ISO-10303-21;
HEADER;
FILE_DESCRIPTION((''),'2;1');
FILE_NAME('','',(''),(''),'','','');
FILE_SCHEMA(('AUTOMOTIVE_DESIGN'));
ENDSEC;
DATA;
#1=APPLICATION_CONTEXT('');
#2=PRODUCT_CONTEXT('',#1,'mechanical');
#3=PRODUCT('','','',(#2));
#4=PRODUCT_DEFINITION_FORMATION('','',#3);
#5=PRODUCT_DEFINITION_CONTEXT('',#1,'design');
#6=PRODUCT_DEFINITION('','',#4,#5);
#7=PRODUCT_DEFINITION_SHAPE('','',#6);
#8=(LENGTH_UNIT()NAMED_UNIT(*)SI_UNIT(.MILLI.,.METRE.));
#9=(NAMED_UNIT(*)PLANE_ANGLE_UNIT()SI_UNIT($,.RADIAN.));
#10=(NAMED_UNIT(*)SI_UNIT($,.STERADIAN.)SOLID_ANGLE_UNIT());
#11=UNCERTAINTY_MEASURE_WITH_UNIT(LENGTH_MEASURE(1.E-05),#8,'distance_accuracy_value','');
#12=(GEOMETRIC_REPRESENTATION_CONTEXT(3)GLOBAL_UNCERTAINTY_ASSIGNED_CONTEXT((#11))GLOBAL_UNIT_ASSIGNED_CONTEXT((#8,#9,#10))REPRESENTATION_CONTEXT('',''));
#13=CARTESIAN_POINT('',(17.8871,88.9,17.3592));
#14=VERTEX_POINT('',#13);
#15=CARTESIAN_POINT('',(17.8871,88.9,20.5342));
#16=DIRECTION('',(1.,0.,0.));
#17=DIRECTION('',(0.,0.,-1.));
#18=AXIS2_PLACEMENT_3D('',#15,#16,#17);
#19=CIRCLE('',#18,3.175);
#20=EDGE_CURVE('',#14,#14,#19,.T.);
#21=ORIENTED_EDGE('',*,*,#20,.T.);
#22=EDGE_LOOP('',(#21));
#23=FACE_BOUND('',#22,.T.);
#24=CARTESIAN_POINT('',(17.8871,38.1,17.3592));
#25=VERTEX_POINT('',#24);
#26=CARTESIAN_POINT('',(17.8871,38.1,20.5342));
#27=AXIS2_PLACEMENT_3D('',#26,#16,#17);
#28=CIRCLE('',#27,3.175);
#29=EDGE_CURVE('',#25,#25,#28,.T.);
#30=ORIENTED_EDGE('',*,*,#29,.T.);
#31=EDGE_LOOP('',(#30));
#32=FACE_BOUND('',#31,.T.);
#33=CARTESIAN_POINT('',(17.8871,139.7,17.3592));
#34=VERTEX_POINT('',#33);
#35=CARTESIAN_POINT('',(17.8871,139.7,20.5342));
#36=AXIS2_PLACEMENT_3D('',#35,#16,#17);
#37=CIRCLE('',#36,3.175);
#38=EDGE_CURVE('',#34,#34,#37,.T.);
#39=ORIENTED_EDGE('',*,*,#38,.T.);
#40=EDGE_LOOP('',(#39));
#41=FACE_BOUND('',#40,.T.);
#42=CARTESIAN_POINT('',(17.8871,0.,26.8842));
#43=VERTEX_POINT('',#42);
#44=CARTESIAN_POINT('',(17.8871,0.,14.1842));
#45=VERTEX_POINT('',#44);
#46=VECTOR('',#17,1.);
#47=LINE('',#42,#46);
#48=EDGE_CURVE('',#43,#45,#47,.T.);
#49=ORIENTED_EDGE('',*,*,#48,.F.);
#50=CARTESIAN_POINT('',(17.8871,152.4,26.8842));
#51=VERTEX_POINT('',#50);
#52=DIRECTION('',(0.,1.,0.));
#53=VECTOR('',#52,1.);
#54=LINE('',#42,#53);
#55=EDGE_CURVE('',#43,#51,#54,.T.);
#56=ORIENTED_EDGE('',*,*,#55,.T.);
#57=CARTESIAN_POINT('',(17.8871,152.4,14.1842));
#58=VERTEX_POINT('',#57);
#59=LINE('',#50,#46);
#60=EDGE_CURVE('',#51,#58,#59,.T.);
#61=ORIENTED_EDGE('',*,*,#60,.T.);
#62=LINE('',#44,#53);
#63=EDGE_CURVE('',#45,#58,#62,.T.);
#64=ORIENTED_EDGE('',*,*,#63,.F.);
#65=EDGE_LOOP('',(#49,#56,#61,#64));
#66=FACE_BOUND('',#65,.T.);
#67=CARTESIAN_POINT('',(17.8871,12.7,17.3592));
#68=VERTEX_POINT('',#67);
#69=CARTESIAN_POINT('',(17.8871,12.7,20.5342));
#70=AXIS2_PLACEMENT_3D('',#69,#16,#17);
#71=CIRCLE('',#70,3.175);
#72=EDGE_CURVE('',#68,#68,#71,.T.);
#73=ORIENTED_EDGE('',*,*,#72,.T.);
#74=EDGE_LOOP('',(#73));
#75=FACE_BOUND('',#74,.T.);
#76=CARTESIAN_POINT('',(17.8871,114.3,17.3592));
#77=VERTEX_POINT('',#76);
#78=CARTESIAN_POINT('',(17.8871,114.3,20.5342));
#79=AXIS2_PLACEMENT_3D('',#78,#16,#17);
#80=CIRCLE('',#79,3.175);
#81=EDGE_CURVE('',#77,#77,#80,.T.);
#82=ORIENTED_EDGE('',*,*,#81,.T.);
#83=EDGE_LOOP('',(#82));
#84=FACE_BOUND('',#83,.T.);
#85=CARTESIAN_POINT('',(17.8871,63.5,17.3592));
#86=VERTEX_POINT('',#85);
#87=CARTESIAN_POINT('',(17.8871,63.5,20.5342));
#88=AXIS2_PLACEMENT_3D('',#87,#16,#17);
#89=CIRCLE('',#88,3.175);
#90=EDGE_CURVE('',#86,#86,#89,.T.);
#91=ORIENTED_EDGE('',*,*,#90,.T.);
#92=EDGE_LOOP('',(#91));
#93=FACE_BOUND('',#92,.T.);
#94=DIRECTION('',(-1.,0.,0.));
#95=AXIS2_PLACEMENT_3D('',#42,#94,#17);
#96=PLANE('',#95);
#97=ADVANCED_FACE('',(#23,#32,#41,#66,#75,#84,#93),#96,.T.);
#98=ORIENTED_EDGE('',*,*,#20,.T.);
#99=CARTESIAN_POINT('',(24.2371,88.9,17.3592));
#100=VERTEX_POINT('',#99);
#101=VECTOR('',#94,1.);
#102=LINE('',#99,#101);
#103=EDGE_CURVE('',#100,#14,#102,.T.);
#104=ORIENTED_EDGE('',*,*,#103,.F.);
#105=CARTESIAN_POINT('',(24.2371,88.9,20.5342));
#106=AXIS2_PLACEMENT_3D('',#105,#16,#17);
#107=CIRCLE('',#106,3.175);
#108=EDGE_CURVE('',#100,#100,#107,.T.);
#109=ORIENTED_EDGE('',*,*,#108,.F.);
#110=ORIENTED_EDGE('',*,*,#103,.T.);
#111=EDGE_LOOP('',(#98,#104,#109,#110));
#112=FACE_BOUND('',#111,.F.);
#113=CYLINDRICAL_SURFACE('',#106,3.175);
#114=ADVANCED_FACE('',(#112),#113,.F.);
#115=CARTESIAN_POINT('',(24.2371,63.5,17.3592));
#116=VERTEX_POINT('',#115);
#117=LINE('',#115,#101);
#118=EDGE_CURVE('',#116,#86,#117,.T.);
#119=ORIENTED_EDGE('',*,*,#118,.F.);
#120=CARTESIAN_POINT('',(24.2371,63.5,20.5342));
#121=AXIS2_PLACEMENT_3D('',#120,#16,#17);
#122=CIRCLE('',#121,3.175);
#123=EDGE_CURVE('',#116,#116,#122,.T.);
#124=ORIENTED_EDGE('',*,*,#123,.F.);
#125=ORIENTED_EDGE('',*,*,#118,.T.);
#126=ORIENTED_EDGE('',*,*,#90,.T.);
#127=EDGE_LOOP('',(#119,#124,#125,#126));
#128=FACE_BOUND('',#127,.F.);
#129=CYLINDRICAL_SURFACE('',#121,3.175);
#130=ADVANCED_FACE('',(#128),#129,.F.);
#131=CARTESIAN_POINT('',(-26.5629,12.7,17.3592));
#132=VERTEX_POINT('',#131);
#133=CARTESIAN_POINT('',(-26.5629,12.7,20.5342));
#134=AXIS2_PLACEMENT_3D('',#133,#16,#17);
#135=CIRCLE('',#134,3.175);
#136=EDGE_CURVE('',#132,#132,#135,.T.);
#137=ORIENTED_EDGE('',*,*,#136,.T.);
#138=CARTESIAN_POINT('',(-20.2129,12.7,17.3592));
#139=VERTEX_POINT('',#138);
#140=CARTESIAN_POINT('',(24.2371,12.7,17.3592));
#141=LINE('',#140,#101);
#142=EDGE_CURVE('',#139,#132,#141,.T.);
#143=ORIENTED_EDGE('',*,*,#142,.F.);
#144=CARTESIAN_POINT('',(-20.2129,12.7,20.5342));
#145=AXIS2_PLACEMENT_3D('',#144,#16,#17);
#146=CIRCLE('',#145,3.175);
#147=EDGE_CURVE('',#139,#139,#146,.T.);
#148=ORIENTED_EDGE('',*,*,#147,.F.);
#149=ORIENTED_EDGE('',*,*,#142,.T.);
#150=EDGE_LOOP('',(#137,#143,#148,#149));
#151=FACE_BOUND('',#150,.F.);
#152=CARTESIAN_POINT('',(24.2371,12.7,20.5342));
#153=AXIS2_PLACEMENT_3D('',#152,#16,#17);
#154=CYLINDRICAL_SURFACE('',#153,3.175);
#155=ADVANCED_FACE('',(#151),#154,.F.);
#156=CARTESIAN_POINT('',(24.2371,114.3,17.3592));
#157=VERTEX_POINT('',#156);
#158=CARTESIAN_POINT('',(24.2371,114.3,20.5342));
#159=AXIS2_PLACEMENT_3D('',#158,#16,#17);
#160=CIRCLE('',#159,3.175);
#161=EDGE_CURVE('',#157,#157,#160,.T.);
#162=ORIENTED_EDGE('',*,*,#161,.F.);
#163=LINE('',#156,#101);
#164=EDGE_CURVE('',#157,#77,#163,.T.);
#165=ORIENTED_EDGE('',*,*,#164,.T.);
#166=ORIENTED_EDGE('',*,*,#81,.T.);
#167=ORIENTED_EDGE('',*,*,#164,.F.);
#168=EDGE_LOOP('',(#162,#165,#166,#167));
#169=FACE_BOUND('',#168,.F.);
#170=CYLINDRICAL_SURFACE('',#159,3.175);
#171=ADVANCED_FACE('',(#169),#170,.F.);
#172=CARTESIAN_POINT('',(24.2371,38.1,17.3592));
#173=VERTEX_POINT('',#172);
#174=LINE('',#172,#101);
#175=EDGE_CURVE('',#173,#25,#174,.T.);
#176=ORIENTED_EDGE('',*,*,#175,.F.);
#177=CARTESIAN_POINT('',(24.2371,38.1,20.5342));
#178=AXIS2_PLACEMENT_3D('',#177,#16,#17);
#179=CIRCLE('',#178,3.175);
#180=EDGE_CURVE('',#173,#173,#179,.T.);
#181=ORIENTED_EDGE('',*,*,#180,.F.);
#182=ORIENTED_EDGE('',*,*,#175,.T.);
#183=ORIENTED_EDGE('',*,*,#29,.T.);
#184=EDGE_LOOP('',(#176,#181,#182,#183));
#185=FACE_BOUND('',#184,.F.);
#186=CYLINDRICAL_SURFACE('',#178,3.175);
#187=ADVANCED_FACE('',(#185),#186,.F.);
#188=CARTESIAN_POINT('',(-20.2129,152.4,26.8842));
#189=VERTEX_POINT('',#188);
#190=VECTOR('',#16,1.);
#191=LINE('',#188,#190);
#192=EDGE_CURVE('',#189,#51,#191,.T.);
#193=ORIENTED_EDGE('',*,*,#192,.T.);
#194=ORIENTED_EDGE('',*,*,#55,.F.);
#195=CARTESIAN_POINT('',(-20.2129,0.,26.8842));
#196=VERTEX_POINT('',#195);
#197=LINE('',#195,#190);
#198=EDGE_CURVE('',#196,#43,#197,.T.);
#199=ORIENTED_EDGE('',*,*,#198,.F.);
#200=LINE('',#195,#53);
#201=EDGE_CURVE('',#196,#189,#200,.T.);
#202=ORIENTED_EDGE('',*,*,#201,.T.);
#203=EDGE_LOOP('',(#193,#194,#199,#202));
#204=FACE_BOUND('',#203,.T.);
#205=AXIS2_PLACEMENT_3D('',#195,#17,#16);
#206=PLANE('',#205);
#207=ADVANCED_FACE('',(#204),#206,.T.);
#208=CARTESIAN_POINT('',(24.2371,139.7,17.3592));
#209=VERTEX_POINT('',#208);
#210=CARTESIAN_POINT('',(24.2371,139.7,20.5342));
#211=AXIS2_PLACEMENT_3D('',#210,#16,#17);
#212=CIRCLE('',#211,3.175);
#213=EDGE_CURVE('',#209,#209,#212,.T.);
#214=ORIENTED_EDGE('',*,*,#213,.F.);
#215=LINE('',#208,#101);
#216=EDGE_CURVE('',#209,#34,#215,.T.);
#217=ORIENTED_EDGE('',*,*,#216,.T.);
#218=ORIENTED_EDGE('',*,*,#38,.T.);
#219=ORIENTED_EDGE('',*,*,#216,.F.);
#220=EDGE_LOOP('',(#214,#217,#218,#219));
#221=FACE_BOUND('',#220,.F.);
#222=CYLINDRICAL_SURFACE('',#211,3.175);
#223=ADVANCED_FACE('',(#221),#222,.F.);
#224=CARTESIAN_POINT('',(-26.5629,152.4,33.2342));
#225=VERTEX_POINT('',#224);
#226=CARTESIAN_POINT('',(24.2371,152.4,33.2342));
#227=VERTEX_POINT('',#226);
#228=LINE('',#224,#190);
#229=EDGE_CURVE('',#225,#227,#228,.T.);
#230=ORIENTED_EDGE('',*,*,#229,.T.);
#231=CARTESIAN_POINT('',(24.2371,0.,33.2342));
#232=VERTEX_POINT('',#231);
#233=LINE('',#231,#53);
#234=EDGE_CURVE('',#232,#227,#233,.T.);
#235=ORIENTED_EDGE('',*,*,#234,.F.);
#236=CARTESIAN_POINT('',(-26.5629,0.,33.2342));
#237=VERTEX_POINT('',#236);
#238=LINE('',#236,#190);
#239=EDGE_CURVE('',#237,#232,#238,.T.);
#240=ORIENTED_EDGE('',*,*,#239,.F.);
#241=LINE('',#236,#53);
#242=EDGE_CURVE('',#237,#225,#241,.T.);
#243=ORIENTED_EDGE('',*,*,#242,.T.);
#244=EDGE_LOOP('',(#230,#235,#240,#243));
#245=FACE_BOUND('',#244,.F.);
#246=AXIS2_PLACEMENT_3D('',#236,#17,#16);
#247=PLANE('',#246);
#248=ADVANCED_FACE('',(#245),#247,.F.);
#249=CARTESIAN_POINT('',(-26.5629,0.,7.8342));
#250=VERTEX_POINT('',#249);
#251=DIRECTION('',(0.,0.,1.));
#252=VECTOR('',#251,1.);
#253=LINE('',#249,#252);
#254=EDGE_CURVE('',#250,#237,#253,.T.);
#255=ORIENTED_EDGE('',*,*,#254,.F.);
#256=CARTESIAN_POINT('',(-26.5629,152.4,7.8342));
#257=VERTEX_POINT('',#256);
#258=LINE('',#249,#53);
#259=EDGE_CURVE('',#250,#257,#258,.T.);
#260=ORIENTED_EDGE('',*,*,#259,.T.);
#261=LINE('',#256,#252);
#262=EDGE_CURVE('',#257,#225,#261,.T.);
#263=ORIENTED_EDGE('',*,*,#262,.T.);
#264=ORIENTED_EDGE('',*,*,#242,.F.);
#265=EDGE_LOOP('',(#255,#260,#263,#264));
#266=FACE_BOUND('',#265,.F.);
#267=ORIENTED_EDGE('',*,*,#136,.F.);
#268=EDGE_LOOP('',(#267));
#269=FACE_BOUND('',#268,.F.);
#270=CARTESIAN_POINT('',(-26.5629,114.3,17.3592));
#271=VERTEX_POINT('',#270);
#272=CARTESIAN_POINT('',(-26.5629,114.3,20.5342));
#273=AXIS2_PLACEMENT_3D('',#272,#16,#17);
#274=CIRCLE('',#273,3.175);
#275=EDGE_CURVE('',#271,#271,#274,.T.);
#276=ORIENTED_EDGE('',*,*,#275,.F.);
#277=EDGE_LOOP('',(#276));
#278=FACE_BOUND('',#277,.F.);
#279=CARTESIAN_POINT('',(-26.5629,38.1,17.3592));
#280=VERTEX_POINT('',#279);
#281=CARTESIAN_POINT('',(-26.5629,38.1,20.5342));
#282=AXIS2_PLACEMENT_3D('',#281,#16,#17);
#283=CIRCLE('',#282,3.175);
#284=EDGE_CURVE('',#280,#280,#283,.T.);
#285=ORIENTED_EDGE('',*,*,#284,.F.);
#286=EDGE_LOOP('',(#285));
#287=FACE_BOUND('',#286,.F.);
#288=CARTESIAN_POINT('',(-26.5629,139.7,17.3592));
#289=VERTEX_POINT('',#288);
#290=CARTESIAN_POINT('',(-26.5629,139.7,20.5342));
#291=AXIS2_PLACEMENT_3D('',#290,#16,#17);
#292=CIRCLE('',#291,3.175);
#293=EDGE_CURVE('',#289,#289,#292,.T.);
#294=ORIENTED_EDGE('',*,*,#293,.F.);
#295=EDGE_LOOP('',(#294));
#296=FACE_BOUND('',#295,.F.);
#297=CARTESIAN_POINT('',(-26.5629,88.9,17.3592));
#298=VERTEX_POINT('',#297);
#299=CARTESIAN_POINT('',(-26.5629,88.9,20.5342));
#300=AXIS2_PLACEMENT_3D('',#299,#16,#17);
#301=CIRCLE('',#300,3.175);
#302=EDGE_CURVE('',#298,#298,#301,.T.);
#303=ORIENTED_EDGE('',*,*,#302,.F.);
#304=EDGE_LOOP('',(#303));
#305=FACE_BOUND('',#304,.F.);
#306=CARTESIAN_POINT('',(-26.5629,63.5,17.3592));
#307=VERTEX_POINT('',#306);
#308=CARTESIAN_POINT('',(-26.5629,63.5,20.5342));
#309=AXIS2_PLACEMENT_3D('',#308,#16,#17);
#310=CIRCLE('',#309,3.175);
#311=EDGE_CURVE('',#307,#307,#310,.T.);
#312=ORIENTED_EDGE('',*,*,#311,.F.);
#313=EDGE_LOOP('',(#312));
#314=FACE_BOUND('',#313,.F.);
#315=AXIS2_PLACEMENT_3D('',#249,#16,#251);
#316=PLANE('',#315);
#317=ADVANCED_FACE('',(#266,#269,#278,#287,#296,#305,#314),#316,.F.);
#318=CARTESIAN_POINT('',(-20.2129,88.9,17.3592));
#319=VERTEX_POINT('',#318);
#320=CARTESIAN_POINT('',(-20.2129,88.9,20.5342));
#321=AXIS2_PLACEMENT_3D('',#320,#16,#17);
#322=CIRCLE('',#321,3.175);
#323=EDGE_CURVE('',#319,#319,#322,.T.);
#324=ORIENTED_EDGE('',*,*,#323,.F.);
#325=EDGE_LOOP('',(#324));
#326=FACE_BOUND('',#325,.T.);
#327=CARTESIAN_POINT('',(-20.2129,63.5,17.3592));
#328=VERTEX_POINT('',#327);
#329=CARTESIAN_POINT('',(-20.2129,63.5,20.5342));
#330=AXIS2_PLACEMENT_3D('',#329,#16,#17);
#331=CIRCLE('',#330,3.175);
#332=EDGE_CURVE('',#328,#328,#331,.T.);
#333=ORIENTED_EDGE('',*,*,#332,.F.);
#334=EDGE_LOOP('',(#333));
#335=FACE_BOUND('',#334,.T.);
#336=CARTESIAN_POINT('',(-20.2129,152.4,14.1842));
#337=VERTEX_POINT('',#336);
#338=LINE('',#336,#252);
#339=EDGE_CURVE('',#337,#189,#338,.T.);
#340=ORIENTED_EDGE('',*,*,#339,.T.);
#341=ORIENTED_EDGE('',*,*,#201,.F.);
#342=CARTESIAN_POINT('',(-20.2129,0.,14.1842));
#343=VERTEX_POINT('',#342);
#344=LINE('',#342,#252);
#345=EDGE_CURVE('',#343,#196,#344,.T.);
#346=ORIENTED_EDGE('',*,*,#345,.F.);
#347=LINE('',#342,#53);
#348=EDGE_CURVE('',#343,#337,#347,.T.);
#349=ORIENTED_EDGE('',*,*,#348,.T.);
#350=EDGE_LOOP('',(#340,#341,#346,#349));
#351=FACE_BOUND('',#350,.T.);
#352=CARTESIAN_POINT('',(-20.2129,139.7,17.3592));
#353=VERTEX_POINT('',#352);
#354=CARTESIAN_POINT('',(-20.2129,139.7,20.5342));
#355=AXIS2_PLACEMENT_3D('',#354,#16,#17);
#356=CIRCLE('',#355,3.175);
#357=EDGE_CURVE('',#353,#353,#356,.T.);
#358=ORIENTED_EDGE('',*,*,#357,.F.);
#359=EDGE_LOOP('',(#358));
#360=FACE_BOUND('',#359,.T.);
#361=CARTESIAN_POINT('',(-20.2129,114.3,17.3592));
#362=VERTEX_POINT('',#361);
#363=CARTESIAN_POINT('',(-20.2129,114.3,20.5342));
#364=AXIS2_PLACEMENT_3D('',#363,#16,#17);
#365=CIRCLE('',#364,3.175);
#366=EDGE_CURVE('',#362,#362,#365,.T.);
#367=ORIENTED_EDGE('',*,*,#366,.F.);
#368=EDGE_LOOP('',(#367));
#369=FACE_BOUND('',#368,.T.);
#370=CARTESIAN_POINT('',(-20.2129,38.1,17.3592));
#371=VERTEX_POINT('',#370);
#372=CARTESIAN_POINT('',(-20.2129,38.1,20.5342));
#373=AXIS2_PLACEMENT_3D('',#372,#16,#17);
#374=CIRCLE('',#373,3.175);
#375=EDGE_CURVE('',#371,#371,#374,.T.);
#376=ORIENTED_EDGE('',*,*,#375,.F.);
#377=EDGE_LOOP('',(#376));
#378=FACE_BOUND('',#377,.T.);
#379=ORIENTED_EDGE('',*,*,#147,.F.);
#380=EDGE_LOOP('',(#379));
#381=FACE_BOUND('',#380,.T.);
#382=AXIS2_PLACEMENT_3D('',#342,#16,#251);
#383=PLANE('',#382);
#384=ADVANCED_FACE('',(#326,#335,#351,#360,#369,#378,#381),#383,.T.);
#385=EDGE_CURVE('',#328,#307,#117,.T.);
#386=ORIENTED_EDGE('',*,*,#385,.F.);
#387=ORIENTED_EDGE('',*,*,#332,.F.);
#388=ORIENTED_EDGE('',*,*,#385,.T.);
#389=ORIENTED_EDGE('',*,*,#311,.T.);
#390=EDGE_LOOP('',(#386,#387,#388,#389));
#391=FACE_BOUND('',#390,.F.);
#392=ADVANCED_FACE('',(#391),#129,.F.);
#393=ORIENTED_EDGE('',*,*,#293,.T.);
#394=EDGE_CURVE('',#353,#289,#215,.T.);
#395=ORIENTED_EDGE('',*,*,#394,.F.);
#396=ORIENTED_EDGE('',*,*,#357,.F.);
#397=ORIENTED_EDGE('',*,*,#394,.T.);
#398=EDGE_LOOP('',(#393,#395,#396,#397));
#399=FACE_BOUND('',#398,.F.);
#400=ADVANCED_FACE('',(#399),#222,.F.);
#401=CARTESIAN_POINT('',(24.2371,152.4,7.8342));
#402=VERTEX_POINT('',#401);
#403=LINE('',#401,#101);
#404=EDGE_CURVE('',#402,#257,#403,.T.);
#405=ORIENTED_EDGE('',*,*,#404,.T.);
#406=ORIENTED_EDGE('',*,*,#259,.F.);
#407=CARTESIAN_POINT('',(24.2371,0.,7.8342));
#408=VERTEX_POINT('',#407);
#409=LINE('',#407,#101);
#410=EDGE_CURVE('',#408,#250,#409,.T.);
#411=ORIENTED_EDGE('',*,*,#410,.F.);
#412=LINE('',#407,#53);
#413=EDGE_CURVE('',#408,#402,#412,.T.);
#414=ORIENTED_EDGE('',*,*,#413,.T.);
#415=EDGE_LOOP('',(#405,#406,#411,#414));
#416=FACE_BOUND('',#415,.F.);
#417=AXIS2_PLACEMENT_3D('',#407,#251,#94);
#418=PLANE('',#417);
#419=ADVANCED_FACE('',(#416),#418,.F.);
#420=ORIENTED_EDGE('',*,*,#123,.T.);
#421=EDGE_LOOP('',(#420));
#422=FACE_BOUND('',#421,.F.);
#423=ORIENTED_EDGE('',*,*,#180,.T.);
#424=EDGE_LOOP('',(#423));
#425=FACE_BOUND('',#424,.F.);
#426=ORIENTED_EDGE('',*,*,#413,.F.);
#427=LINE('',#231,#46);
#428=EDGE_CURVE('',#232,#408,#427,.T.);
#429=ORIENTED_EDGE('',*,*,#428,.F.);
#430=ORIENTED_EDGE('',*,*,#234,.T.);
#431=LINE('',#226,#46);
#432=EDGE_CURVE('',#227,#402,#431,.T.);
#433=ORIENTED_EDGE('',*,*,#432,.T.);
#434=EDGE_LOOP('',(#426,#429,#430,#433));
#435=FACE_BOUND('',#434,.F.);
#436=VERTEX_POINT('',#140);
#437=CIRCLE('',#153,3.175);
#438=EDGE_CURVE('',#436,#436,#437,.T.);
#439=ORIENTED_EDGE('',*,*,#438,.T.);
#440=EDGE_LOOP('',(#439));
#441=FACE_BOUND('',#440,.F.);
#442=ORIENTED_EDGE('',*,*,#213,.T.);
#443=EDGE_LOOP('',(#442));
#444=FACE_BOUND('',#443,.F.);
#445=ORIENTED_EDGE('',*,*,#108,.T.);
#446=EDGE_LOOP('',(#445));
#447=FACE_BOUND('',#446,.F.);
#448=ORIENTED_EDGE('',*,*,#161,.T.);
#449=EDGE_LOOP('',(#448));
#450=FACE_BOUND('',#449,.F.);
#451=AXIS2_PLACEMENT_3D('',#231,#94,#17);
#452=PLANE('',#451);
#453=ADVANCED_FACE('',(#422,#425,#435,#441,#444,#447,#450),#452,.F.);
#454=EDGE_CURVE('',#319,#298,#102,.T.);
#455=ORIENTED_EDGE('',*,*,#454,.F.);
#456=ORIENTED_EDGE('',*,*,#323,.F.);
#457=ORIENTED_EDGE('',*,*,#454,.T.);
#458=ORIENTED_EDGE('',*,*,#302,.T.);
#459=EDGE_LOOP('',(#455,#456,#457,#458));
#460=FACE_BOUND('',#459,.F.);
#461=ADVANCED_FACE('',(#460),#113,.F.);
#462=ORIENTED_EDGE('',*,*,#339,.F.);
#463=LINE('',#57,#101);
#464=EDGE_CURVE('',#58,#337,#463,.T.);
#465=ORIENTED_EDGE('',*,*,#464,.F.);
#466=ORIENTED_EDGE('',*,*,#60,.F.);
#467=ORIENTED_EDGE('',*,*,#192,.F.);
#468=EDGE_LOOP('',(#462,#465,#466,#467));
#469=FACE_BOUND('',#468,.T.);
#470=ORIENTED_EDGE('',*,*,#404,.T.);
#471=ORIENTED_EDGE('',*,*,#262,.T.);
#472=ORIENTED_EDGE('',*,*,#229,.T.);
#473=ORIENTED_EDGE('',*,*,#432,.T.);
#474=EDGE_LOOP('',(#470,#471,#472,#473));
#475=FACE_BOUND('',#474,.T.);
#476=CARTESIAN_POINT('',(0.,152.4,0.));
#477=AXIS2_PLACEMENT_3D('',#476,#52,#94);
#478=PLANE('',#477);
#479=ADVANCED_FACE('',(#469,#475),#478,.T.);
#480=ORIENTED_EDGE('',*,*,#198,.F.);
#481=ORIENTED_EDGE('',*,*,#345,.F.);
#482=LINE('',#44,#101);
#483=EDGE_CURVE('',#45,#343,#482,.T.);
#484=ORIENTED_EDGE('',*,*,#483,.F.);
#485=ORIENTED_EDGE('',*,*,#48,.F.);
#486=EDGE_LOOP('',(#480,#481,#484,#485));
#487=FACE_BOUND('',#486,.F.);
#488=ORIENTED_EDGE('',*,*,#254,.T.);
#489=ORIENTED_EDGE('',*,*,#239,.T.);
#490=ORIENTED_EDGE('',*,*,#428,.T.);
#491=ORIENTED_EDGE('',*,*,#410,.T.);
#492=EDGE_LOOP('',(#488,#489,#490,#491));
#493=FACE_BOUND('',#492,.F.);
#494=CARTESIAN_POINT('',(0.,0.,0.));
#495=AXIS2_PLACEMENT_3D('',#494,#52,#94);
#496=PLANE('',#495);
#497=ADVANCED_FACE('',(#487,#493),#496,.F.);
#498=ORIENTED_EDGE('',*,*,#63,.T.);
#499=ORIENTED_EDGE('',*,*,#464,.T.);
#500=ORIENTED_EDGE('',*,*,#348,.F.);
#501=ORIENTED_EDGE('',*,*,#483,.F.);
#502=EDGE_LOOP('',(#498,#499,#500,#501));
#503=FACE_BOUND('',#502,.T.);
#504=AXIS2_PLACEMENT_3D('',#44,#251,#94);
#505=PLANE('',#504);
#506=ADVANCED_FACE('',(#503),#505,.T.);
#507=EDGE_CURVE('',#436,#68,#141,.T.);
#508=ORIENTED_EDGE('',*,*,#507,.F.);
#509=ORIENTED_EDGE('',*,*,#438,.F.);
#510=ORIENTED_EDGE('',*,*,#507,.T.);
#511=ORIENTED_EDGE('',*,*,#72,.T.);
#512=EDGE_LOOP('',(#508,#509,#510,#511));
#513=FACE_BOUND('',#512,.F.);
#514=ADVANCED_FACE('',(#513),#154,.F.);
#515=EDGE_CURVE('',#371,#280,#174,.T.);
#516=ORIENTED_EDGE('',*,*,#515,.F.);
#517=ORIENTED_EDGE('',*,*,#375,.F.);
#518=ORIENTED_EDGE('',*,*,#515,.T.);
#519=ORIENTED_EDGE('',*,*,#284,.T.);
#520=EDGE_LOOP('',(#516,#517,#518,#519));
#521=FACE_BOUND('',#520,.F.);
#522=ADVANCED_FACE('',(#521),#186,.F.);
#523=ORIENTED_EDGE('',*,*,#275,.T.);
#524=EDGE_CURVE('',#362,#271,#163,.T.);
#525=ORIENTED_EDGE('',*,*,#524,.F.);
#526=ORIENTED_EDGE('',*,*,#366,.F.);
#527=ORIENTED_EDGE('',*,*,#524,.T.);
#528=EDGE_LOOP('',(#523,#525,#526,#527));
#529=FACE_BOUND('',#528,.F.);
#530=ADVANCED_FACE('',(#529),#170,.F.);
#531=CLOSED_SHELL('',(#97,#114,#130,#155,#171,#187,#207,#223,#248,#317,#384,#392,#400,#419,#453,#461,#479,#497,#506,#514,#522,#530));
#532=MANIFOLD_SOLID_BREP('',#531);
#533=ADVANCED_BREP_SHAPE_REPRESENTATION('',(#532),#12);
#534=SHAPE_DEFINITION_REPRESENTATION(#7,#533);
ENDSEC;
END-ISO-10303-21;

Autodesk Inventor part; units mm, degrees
ref_plane "YZ Plane" through (0, 0, 0) normal (1, 0, 0) x (0, 1, 0)
ref_plane "XZ Plane" through (0, 0, 0) normal (0, 1, 0) x (-1, 0, 0)
ref_plane "XY Plane" through (0, 0, 0) normal (0, 0, 1) x (1, 0, 0)
sketch "Sketch1" plane through (0, 0, 0) normal (0, 1, 0) x (-1, 0, 0)
  line L0 (-24.2371, 7.8342) -> (26.5629, 7.8342)
  line L1 (26.5629, 7.8342) -> (26.5629, 33.2342)
  line L2 (26.5629, 33.2342) -> (-24.2371, 33.2342)
  line L3 (-24.2371, 33.2342) -> (-24.2371, 7.8342)
  line L4 (-17.8871, 14.1842) -> (20.2129, 14.1842)
  line L5 (20.2129, 14.1842) -> (20.2129, 26.8842)
  line L6 (20.2129, 26.8842) -> (-17.8871, 26.8842)
  line L7 (-17.8871, 26.8842) -> (-17.8871, 14.1842)
  point P0 (0, 0)
  dimension "d0" = 50.8
  dimension "d1" = 25.4
  dimension "d2" = 6.35
extrude "Extrusion1" add sketch "Sketch1" along normal blind 152.4
sketch "Sketch2" plane through (24.2371, 0, 33.2342) normal (1, 0, 0) x (0, 0, -1)
  line L0 (19.05, 0) -> (6.35, 0) projected
  line L1 (12.7, 0) -> (12.7, 152.4) construction
  line L2 (6.35, 152.4) -> (19.05, 152.4) projected
  circle A0 centre (12.7, 12.7) radius 3.175
  circle A1 centre (12.7, 38.1) radius 3.175
  circle A2 centre (12.7, 63.5) radius 3.175
  circle A3 centre (12.7, 88.9) radius 3.175
  circle A4 centre (12.7, 114.3) radius 3.175
  circle A5 centre (12.7, 139.7) radius 3.175
  point P0 (33.2342, 0)
  dimension "d5" = 6.35
  dimension "d6" = 12.7
  dimension "d9" = 25.4
extrude "Extrusion2" cut sketch "Sketch2" against normal through all
properties part number "Front Frame"
